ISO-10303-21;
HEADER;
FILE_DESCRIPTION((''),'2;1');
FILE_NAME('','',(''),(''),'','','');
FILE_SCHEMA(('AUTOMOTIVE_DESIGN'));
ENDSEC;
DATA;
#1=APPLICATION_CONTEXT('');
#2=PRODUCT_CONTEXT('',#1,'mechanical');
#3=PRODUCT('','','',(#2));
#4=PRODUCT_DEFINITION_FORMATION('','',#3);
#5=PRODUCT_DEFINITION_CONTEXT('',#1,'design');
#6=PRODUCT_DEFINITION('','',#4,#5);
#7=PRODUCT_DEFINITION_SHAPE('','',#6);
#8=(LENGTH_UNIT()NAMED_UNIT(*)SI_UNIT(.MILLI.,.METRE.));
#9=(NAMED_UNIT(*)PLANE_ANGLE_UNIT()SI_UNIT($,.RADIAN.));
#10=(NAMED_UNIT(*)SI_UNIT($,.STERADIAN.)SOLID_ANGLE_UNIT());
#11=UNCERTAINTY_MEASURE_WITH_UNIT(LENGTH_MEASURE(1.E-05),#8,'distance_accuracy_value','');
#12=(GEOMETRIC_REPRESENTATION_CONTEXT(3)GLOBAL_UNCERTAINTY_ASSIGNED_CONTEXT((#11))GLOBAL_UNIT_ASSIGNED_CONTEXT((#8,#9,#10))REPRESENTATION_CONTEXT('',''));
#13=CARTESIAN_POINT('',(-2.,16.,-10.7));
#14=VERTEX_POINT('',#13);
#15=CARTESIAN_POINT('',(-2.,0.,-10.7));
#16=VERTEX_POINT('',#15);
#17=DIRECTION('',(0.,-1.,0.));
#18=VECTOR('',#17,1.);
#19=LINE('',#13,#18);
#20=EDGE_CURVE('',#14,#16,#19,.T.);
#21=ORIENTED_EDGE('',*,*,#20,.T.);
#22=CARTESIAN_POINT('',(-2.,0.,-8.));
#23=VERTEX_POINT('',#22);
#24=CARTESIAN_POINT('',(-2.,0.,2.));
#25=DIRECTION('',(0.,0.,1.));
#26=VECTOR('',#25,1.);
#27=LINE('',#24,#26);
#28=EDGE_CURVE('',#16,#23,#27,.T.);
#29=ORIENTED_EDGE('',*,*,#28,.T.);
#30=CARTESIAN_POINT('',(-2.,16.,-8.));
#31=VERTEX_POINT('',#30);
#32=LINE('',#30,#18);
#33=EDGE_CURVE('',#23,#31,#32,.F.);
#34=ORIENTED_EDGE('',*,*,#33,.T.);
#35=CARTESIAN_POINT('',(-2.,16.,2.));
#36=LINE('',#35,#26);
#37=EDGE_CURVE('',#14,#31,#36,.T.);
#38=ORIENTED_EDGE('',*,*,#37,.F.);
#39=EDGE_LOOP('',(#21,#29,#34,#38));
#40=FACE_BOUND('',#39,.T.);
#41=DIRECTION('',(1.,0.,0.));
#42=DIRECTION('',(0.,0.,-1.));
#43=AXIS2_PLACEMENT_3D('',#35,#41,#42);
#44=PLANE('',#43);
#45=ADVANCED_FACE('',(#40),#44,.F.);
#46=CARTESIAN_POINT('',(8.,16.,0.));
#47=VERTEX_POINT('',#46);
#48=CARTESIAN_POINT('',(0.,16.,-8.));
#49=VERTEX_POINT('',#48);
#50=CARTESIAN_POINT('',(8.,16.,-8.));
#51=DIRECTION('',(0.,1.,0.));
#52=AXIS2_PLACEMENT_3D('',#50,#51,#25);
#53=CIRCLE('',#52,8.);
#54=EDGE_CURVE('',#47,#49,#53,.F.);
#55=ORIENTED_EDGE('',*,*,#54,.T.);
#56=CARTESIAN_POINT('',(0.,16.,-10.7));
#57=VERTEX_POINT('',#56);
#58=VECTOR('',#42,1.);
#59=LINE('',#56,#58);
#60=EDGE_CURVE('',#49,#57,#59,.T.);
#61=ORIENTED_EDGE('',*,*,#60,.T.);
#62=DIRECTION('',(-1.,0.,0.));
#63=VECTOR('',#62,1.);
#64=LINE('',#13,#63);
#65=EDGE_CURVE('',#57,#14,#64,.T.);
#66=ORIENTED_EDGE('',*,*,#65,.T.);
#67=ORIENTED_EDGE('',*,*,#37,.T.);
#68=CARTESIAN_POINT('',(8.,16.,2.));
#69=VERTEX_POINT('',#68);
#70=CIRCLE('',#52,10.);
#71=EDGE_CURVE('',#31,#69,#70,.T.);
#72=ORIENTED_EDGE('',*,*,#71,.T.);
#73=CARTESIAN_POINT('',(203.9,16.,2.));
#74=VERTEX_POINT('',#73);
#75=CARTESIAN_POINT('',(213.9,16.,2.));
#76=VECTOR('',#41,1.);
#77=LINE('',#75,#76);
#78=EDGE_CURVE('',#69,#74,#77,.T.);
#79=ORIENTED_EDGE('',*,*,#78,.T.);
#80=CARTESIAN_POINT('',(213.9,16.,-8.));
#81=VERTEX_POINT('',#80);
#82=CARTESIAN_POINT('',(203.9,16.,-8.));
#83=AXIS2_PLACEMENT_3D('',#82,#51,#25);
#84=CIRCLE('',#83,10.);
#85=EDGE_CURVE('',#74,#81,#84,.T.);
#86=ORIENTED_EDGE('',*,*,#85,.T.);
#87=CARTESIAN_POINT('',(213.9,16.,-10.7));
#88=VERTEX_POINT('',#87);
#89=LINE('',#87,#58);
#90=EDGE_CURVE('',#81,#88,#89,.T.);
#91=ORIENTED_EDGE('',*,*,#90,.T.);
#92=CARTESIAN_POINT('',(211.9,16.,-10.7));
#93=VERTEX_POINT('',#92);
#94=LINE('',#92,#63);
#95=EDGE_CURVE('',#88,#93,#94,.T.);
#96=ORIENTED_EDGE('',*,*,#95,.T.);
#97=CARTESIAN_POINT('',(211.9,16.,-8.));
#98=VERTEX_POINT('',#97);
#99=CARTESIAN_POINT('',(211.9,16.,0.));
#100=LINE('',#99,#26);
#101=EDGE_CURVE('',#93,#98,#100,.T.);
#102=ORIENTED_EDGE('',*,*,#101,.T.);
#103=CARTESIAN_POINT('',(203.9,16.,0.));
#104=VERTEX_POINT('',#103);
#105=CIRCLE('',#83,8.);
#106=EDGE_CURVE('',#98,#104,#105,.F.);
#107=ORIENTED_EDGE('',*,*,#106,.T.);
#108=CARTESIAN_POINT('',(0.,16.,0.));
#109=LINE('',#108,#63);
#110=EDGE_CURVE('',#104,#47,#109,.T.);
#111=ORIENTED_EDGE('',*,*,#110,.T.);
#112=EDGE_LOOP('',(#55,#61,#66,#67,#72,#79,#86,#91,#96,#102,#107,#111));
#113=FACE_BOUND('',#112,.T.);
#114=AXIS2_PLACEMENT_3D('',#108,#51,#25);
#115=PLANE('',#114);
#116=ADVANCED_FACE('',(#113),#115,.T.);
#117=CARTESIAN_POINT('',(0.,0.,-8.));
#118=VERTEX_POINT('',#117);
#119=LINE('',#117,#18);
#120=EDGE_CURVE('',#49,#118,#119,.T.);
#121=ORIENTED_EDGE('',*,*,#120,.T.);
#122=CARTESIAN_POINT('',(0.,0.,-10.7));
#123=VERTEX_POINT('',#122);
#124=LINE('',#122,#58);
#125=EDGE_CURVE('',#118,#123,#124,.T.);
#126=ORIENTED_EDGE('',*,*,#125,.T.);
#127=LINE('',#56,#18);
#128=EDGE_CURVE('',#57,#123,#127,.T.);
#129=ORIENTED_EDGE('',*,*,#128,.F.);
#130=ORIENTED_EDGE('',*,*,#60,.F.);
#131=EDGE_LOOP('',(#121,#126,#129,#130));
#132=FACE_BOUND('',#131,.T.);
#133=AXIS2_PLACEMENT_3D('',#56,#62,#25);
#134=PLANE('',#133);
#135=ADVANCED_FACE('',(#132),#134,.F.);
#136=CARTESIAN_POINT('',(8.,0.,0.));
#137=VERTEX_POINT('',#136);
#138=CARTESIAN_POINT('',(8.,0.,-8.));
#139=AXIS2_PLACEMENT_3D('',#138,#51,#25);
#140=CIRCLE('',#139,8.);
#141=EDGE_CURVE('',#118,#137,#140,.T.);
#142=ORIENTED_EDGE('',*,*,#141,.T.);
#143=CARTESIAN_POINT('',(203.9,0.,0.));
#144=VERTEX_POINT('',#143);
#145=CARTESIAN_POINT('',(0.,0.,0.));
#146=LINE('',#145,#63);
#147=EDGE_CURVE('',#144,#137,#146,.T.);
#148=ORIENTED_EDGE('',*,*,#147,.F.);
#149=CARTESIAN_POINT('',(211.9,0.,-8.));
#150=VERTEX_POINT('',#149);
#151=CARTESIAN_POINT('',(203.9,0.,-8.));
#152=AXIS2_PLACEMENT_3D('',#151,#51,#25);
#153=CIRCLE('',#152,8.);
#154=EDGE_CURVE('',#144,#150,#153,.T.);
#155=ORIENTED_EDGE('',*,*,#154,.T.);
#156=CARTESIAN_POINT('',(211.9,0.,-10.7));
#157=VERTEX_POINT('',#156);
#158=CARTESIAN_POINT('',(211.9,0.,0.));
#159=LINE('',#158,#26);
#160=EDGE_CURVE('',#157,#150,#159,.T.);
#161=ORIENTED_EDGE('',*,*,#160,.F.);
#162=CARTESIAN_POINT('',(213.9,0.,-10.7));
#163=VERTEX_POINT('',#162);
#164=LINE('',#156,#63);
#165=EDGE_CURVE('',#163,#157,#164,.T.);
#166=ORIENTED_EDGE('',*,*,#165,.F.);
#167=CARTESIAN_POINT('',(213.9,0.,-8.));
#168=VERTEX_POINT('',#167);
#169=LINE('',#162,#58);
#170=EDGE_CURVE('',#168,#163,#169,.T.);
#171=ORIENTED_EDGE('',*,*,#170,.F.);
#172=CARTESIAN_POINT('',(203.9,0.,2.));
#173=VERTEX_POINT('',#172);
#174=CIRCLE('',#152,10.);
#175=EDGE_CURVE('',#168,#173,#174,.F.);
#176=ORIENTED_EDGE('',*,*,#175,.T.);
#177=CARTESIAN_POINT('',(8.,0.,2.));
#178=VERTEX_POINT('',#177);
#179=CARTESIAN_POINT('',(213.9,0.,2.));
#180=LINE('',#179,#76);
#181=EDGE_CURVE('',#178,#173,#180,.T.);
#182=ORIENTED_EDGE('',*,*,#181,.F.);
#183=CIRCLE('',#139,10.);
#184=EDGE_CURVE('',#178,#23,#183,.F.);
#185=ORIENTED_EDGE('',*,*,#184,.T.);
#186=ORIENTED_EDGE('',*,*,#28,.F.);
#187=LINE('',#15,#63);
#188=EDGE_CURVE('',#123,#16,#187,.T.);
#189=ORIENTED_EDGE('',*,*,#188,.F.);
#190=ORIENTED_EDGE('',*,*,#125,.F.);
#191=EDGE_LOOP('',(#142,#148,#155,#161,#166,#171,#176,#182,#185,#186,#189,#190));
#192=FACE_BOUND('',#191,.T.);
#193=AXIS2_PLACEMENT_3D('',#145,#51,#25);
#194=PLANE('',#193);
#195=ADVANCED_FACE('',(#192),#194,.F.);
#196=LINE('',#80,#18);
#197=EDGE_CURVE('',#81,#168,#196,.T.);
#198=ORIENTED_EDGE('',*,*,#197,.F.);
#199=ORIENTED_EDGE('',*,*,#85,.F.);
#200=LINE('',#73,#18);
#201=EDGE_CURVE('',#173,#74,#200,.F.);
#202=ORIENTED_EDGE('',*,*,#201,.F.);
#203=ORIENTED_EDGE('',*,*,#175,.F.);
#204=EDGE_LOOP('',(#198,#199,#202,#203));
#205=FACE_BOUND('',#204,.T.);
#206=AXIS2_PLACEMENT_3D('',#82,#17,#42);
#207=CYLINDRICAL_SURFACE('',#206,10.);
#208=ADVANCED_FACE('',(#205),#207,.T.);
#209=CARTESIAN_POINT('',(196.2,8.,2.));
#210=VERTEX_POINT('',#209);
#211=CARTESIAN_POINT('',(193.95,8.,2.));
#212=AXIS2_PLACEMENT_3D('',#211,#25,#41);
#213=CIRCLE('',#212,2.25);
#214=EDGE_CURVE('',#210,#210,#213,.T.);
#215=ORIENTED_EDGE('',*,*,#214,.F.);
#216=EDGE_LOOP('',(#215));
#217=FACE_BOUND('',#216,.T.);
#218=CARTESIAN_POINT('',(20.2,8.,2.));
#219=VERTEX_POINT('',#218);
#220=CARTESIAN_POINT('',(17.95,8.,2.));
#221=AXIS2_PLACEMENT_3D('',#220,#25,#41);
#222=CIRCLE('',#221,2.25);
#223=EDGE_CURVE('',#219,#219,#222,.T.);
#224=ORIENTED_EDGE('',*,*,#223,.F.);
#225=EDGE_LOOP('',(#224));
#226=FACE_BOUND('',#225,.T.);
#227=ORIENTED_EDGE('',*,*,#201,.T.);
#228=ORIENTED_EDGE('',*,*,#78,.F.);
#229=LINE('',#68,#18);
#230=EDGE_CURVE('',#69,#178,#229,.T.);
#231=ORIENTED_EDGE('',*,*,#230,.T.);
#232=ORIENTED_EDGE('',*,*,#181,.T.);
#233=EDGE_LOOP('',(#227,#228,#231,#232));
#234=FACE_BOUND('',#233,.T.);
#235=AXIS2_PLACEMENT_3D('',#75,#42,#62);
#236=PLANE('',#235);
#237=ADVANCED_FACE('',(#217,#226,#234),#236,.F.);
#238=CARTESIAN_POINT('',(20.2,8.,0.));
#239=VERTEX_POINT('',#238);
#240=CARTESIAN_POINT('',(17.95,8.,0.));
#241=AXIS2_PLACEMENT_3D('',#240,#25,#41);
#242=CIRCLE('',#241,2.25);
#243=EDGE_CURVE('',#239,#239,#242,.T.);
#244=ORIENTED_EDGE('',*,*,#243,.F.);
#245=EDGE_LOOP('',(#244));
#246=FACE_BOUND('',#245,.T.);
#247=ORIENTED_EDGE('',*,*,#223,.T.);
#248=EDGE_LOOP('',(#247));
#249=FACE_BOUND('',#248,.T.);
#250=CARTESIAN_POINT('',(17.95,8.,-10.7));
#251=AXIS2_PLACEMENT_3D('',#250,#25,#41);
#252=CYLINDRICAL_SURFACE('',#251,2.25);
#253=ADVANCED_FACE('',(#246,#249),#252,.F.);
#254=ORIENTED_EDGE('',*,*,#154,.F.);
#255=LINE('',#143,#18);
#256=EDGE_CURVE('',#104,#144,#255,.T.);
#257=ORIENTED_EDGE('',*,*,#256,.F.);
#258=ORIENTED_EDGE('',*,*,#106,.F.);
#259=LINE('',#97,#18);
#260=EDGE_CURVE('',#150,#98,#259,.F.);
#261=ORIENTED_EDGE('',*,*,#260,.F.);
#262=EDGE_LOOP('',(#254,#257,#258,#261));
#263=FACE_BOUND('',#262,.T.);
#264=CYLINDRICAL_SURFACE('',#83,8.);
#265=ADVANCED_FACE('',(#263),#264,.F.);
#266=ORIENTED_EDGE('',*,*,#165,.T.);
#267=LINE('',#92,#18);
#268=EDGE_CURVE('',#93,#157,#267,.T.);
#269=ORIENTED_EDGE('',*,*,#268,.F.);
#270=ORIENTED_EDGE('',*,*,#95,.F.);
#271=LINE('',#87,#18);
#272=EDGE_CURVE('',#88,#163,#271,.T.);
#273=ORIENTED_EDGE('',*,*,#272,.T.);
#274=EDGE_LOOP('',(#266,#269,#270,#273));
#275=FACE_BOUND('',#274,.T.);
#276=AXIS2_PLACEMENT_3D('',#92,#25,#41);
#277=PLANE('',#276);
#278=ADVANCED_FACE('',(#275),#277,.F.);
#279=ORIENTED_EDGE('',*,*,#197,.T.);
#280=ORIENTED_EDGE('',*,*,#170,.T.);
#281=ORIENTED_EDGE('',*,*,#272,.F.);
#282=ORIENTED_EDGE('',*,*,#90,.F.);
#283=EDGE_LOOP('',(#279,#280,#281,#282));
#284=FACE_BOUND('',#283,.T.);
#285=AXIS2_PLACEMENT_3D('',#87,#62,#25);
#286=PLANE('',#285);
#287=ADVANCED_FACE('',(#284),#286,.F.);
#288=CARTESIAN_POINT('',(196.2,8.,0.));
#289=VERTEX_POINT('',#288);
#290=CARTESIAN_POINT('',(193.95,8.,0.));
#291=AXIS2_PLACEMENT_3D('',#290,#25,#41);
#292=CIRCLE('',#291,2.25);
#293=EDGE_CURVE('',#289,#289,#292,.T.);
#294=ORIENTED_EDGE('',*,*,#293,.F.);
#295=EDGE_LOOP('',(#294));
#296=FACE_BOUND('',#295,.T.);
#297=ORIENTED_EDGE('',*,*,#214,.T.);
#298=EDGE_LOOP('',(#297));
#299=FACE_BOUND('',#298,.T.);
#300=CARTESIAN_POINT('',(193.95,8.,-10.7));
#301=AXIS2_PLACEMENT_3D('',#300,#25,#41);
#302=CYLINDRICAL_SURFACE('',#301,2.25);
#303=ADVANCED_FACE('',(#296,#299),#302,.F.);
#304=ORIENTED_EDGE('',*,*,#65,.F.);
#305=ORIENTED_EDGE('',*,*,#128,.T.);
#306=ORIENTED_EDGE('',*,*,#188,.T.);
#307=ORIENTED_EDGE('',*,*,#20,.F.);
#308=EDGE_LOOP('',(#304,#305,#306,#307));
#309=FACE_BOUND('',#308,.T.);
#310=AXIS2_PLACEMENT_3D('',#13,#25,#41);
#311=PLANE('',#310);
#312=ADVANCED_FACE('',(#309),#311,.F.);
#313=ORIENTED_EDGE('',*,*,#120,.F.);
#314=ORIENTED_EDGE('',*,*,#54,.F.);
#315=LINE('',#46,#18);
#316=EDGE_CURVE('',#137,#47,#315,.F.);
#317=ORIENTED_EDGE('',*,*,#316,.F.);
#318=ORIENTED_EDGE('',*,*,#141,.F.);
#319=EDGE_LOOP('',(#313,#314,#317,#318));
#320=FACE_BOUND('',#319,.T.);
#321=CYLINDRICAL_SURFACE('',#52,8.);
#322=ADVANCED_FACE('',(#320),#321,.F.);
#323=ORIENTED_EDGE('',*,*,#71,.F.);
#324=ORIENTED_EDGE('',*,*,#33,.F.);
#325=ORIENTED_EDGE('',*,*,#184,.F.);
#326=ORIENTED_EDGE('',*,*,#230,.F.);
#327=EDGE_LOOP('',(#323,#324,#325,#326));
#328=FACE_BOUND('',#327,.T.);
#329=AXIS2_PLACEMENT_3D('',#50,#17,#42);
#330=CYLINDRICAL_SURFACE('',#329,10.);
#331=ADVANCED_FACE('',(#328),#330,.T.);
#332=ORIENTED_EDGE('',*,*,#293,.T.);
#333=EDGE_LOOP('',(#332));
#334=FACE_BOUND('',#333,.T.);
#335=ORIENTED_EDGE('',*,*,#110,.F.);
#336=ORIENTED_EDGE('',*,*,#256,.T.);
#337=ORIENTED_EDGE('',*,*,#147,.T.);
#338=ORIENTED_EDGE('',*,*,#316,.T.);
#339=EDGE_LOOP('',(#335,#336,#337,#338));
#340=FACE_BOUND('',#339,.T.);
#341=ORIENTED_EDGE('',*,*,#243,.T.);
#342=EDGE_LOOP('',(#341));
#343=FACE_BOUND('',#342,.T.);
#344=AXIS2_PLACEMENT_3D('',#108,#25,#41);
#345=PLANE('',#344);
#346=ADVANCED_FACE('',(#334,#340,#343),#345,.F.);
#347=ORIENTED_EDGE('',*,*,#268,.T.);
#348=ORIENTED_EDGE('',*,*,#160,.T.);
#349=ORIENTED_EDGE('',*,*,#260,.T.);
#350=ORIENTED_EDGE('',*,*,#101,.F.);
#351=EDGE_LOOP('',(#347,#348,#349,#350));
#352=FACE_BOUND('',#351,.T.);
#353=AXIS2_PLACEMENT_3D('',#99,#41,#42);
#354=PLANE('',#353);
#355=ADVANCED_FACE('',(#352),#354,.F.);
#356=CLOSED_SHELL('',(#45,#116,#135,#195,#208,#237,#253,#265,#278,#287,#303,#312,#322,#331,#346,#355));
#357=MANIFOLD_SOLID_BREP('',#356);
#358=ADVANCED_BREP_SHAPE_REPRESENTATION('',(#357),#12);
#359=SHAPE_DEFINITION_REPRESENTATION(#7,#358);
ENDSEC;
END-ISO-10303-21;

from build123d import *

# Parameters (mm, degrees)
BOSS_EXTRUDE1_DEPTH = 16
FILLET1_R           = 8
FILLET2_R           = 10
SKETCH2_R           = 2.25
CUT_EXTRUDE1_DEPTH  = 13.7


with BuildPart() as part:
    # Sketch1 → Boss-Extrude1 (new body)
    with BuildSketch(Plane(origin=(0, 0, 0), x_dir=(1, 0, 0), z_dir=(0, 1, 0))):
        Polygon((0, 0), (211.9, 0), (211.9, 10.7), (213.9, 10.7), (213.9, -2), (-2, -2), (-2, 10.7), (0, 10.7), align=None)
    extrude(amount=BOSS_EXTRUDE1_DEPTH)

    # Fillet1
    fillet1_edges = [part.edges().sort_by_distance(p)[0] for p in [
        (0, 8, 0),
        (211.9, 8, 0),
    ]]
    fillet(fillet1_edges, radius=FILLET1_R)

    # Fillet2
    fillet2_edges = [part.edges().sort_by_distance(p)[0] for p in [
        (213.9, 8, 2),
        (-2, 8, 2),
    ]]
    fillet(fillet2_edges, radius=FILLET2_R)

    # Sketch2 → Cut-Extrude1 (cut, through all)
    with BuildSketch(Plane.XY.offset(2)):
        with Locations((17.95, 8)):
            Circle(SKETCH2_R)
        with Locations((193.95, 8)):
            Circle(SKETCH2_R)
    extrude(amount=-CUT_EXTRUDE1_DEPTH, mode=Mode.SUBTRACT)


solid = part.part
